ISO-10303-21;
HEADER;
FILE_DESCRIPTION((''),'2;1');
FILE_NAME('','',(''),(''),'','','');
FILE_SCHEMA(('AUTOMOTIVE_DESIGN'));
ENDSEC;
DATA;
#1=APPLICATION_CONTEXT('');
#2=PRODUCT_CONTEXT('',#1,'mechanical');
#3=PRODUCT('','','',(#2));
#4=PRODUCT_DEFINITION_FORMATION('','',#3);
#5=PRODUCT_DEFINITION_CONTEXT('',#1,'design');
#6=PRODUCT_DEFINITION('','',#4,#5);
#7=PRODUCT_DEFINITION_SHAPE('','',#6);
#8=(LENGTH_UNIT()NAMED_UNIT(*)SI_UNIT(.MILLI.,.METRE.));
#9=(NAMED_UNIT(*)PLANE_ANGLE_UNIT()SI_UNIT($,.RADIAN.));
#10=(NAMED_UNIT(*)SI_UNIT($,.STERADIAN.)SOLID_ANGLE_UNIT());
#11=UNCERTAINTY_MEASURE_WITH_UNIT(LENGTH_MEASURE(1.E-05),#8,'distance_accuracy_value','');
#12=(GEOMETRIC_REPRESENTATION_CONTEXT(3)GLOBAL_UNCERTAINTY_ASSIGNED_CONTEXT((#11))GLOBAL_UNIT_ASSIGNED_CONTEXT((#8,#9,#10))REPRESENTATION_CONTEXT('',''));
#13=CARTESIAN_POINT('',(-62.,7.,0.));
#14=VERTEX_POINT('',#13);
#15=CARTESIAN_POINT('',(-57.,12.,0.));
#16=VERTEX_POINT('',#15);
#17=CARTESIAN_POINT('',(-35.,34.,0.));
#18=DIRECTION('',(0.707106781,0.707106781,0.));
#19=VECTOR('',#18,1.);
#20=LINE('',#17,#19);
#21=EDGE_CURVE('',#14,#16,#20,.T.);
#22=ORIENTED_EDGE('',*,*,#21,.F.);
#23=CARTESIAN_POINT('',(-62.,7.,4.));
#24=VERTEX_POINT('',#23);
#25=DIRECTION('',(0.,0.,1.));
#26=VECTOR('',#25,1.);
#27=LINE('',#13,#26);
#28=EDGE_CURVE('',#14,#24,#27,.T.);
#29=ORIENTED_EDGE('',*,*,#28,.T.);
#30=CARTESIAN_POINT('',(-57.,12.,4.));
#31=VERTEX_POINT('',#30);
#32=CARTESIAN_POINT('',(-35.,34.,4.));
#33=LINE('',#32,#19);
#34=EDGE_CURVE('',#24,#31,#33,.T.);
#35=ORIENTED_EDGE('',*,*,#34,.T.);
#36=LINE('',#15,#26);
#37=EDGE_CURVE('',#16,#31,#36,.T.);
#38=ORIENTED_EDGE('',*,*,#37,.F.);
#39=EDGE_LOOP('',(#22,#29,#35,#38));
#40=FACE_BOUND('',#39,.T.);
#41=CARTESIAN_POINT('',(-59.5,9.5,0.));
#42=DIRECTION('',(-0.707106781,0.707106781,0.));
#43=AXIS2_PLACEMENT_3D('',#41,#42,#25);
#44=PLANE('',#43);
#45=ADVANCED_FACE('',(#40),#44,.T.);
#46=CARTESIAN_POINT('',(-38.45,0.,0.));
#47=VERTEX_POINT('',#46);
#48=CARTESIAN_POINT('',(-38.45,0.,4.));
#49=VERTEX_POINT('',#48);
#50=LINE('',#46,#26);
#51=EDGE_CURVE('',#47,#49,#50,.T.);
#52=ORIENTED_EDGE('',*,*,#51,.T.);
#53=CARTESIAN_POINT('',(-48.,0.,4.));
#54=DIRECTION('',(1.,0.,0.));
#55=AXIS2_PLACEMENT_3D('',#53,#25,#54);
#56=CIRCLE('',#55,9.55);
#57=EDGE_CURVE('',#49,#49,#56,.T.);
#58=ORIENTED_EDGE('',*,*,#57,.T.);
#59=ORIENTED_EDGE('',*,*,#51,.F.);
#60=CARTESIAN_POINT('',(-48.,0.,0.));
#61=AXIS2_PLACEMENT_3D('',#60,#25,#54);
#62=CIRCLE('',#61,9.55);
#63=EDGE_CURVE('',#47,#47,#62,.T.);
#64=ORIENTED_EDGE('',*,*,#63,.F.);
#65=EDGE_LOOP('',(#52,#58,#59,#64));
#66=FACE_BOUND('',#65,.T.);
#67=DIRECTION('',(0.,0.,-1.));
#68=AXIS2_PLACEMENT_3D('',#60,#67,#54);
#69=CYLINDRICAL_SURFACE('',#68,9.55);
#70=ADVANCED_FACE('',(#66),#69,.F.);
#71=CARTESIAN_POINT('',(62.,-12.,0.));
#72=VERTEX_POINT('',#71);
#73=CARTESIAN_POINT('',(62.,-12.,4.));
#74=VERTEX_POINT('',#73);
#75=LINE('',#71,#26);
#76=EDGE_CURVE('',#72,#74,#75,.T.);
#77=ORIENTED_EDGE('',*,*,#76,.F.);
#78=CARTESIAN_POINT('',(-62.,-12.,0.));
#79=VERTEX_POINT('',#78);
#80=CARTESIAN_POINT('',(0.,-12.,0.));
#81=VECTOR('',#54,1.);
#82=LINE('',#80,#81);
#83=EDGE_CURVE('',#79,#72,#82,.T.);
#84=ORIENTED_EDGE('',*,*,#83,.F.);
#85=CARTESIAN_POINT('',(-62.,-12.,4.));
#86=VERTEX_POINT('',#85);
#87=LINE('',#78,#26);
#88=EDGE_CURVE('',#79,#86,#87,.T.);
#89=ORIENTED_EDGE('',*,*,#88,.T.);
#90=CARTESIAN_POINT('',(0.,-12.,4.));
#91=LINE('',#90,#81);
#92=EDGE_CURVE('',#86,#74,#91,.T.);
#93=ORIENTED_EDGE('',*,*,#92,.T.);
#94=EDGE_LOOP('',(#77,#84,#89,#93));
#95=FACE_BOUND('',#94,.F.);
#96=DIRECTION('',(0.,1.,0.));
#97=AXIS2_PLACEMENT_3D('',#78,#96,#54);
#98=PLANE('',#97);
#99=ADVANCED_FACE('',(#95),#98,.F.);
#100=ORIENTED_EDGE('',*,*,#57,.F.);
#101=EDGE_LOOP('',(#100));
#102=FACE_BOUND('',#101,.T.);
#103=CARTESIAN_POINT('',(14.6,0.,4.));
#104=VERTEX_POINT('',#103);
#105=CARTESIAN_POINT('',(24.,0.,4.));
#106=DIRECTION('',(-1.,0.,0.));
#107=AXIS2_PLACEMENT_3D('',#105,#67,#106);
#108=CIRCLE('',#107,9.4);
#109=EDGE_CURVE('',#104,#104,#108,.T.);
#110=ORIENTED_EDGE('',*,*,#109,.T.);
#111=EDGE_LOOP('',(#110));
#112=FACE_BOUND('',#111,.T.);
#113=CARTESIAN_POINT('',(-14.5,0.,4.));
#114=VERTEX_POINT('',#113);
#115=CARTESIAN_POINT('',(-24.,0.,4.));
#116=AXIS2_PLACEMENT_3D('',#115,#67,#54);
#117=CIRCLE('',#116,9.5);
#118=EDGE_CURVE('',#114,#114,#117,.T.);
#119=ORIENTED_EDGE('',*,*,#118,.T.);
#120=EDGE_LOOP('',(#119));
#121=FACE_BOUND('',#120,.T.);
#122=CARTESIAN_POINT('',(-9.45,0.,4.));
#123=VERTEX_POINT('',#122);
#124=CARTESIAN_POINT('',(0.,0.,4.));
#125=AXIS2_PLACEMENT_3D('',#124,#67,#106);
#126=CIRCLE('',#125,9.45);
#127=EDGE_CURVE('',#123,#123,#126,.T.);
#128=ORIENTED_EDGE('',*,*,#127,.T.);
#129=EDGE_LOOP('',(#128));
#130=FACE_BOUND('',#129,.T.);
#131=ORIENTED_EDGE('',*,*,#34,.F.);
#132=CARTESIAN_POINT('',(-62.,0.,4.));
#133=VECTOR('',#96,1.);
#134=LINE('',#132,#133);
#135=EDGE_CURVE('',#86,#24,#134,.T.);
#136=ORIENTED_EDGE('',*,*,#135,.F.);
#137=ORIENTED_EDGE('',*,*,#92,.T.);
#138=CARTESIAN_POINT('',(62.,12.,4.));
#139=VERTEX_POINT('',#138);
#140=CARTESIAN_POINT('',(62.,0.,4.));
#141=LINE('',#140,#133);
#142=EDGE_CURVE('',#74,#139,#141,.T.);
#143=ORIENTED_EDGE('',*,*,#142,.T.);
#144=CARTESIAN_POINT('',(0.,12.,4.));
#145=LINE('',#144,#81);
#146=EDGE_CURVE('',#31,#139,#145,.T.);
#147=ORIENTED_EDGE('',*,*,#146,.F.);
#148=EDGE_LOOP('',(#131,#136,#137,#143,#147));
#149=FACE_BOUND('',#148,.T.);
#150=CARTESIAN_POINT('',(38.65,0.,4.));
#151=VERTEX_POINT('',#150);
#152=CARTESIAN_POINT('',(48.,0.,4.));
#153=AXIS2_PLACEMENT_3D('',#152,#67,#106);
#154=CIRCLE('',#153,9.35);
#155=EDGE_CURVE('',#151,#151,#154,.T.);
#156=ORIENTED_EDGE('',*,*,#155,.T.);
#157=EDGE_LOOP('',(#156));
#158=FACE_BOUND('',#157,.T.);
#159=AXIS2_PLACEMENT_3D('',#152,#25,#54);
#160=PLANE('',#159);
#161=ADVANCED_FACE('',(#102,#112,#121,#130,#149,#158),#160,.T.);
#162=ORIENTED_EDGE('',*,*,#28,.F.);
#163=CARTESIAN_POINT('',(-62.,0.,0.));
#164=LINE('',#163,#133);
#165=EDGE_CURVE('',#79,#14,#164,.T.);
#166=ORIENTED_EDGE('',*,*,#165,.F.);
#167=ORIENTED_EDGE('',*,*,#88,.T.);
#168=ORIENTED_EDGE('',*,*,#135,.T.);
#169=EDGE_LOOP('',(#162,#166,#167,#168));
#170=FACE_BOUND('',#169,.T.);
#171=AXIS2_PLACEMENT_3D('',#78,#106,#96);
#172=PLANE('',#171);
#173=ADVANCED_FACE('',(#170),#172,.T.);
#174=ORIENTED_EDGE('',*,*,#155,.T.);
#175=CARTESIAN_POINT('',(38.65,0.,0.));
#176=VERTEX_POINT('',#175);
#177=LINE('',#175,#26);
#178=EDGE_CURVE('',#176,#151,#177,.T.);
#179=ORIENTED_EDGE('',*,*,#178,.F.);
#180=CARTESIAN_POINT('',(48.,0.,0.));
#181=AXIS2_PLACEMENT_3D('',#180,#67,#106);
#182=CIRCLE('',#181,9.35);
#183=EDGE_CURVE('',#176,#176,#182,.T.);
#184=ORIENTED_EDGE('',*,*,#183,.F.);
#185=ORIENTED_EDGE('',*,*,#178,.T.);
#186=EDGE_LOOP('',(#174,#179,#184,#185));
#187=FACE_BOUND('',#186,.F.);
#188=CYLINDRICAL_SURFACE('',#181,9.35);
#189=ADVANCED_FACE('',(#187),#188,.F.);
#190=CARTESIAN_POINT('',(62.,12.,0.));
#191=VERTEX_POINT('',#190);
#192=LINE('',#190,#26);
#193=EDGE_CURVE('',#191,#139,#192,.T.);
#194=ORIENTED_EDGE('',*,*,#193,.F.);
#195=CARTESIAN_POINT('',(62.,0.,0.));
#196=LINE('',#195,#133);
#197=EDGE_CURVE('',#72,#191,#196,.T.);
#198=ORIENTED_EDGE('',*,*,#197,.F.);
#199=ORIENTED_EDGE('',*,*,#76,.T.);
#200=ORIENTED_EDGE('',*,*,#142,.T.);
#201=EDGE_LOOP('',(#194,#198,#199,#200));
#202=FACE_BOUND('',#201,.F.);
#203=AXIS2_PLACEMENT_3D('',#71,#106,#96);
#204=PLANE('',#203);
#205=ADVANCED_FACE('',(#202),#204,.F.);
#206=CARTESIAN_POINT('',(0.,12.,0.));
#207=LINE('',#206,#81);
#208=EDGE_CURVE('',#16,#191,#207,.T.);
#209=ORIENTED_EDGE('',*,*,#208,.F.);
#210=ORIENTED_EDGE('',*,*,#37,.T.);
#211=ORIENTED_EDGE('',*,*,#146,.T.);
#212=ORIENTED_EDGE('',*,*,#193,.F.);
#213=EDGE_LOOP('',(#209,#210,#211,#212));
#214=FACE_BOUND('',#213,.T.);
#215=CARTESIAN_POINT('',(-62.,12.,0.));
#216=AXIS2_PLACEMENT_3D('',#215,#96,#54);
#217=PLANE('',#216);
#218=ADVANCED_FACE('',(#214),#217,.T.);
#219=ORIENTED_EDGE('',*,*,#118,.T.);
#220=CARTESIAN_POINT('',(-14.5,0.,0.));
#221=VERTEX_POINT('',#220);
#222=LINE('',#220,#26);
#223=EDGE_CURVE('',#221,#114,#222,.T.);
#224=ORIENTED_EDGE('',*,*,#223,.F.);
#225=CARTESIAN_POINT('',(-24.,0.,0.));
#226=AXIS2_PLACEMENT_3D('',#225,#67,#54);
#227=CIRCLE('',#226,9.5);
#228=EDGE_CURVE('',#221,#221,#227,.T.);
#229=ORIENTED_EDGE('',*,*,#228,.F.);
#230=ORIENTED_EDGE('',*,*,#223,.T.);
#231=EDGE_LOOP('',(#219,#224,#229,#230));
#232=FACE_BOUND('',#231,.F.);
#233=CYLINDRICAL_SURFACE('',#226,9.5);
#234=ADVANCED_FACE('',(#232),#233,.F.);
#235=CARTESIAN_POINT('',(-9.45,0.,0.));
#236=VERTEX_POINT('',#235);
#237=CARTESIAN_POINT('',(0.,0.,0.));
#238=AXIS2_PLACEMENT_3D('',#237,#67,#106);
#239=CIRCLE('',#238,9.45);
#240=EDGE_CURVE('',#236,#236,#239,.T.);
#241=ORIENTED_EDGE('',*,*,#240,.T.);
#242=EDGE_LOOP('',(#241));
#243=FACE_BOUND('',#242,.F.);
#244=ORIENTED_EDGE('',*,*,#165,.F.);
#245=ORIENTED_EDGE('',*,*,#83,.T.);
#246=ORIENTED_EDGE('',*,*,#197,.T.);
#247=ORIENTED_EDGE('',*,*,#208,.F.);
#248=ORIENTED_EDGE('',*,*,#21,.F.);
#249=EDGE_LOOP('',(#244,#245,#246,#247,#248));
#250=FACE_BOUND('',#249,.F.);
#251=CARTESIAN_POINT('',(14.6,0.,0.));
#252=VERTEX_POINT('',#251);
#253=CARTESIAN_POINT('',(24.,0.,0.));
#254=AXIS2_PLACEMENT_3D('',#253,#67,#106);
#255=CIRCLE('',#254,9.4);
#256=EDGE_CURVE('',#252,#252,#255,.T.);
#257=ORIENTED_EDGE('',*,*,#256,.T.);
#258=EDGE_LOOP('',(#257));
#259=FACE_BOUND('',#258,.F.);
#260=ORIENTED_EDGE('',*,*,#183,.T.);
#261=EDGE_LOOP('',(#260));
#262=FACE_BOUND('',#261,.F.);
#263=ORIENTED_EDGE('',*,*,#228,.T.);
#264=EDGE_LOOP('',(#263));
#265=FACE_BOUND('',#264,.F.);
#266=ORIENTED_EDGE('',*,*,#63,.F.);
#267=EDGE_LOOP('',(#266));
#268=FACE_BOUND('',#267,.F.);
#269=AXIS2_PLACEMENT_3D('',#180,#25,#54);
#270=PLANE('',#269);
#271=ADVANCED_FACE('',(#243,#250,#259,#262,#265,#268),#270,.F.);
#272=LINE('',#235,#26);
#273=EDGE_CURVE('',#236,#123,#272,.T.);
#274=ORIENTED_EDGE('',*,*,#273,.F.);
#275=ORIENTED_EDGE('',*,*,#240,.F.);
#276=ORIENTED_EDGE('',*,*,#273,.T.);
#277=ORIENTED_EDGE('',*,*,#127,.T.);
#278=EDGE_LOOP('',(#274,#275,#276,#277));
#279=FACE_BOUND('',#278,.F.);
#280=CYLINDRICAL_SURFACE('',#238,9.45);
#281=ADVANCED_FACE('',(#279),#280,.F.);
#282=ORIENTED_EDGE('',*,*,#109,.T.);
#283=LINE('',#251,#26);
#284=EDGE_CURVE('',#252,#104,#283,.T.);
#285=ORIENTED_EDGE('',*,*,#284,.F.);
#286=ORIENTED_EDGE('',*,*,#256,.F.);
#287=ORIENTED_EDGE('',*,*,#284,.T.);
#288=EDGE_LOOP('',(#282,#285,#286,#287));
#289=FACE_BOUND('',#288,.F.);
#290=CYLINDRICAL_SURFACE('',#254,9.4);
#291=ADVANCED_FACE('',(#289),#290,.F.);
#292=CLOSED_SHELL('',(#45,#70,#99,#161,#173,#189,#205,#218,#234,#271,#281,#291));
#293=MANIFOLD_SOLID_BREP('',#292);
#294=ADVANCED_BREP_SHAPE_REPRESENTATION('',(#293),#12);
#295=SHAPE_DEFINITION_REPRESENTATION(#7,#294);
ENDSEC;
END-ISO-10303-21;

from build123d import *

# Parameters (mm, degrees)
F0_R     = 9.55
F0_W     = 124
F0_H     = 24
F1_DEPTH = 4
F2_SIZE  = 5


with BuildPart() as f1:
    # F0 (on Top) → F1 (new body)
    with BuildSketch(Plane.XY):
        with BuildLine():
            ThreePointArc((57.35, 0), (48, 9.35), (38.65, 0))
            ThreePointArc((38.65, 0), (48, -9.35), (57.35, 0))
        make_face()
        with Locations((-48, 0)):
            Circle(F0_R)
        Rectangle(F0_W, F0_H)
        with Locations((-48, 0)):
            Circle(F0_R, mode=Mode.SUBTRACT)
        with BuildLine():
            ThreePointArc((-33.5, 0), (-24, 9.5), (-14.5, 0))
            ThreePointArc((-14.5, 0), (-24, -9.5), (-33.5, 0))
        make_face(mode=Mode.SUBTRACT)
        with BuildLine():
            ThreePointArc((9.45, 0), (0, -9.45), (-9.45, 0))
            ThreePointArc((-9.45, 0), (0, 9.45), (9.45, 0))
        make_face(mode=Mode.SUBTRACT)
        with BuildLine():
            ThreePointArc((33.4, 0), (24, -9.4), (14.6, 0))
            ThreePointArc((14.6, 0), (24, 9.4), (33.4, 0))
        make_face(mode=Mode.SUBTRACT)
        with BuildLine():
            ThreePointArc((57.35, 0), (48, -9.35), (38.65, 0))
            ThreePointArc((38.65, 0), (48, 9.35), (57.35, 0))
        make_face(mode=Mode.SUBTRACT)
    extrude(amount=F1_DEPTH)

    # F2
    f2_edges = [f1.edges().sort_by_distance(p)[0] for p in [
        (-62, 12, 2),
    ]]
    chamfer(f2_edges, length=F2_SIZE)


solid = f1.part
